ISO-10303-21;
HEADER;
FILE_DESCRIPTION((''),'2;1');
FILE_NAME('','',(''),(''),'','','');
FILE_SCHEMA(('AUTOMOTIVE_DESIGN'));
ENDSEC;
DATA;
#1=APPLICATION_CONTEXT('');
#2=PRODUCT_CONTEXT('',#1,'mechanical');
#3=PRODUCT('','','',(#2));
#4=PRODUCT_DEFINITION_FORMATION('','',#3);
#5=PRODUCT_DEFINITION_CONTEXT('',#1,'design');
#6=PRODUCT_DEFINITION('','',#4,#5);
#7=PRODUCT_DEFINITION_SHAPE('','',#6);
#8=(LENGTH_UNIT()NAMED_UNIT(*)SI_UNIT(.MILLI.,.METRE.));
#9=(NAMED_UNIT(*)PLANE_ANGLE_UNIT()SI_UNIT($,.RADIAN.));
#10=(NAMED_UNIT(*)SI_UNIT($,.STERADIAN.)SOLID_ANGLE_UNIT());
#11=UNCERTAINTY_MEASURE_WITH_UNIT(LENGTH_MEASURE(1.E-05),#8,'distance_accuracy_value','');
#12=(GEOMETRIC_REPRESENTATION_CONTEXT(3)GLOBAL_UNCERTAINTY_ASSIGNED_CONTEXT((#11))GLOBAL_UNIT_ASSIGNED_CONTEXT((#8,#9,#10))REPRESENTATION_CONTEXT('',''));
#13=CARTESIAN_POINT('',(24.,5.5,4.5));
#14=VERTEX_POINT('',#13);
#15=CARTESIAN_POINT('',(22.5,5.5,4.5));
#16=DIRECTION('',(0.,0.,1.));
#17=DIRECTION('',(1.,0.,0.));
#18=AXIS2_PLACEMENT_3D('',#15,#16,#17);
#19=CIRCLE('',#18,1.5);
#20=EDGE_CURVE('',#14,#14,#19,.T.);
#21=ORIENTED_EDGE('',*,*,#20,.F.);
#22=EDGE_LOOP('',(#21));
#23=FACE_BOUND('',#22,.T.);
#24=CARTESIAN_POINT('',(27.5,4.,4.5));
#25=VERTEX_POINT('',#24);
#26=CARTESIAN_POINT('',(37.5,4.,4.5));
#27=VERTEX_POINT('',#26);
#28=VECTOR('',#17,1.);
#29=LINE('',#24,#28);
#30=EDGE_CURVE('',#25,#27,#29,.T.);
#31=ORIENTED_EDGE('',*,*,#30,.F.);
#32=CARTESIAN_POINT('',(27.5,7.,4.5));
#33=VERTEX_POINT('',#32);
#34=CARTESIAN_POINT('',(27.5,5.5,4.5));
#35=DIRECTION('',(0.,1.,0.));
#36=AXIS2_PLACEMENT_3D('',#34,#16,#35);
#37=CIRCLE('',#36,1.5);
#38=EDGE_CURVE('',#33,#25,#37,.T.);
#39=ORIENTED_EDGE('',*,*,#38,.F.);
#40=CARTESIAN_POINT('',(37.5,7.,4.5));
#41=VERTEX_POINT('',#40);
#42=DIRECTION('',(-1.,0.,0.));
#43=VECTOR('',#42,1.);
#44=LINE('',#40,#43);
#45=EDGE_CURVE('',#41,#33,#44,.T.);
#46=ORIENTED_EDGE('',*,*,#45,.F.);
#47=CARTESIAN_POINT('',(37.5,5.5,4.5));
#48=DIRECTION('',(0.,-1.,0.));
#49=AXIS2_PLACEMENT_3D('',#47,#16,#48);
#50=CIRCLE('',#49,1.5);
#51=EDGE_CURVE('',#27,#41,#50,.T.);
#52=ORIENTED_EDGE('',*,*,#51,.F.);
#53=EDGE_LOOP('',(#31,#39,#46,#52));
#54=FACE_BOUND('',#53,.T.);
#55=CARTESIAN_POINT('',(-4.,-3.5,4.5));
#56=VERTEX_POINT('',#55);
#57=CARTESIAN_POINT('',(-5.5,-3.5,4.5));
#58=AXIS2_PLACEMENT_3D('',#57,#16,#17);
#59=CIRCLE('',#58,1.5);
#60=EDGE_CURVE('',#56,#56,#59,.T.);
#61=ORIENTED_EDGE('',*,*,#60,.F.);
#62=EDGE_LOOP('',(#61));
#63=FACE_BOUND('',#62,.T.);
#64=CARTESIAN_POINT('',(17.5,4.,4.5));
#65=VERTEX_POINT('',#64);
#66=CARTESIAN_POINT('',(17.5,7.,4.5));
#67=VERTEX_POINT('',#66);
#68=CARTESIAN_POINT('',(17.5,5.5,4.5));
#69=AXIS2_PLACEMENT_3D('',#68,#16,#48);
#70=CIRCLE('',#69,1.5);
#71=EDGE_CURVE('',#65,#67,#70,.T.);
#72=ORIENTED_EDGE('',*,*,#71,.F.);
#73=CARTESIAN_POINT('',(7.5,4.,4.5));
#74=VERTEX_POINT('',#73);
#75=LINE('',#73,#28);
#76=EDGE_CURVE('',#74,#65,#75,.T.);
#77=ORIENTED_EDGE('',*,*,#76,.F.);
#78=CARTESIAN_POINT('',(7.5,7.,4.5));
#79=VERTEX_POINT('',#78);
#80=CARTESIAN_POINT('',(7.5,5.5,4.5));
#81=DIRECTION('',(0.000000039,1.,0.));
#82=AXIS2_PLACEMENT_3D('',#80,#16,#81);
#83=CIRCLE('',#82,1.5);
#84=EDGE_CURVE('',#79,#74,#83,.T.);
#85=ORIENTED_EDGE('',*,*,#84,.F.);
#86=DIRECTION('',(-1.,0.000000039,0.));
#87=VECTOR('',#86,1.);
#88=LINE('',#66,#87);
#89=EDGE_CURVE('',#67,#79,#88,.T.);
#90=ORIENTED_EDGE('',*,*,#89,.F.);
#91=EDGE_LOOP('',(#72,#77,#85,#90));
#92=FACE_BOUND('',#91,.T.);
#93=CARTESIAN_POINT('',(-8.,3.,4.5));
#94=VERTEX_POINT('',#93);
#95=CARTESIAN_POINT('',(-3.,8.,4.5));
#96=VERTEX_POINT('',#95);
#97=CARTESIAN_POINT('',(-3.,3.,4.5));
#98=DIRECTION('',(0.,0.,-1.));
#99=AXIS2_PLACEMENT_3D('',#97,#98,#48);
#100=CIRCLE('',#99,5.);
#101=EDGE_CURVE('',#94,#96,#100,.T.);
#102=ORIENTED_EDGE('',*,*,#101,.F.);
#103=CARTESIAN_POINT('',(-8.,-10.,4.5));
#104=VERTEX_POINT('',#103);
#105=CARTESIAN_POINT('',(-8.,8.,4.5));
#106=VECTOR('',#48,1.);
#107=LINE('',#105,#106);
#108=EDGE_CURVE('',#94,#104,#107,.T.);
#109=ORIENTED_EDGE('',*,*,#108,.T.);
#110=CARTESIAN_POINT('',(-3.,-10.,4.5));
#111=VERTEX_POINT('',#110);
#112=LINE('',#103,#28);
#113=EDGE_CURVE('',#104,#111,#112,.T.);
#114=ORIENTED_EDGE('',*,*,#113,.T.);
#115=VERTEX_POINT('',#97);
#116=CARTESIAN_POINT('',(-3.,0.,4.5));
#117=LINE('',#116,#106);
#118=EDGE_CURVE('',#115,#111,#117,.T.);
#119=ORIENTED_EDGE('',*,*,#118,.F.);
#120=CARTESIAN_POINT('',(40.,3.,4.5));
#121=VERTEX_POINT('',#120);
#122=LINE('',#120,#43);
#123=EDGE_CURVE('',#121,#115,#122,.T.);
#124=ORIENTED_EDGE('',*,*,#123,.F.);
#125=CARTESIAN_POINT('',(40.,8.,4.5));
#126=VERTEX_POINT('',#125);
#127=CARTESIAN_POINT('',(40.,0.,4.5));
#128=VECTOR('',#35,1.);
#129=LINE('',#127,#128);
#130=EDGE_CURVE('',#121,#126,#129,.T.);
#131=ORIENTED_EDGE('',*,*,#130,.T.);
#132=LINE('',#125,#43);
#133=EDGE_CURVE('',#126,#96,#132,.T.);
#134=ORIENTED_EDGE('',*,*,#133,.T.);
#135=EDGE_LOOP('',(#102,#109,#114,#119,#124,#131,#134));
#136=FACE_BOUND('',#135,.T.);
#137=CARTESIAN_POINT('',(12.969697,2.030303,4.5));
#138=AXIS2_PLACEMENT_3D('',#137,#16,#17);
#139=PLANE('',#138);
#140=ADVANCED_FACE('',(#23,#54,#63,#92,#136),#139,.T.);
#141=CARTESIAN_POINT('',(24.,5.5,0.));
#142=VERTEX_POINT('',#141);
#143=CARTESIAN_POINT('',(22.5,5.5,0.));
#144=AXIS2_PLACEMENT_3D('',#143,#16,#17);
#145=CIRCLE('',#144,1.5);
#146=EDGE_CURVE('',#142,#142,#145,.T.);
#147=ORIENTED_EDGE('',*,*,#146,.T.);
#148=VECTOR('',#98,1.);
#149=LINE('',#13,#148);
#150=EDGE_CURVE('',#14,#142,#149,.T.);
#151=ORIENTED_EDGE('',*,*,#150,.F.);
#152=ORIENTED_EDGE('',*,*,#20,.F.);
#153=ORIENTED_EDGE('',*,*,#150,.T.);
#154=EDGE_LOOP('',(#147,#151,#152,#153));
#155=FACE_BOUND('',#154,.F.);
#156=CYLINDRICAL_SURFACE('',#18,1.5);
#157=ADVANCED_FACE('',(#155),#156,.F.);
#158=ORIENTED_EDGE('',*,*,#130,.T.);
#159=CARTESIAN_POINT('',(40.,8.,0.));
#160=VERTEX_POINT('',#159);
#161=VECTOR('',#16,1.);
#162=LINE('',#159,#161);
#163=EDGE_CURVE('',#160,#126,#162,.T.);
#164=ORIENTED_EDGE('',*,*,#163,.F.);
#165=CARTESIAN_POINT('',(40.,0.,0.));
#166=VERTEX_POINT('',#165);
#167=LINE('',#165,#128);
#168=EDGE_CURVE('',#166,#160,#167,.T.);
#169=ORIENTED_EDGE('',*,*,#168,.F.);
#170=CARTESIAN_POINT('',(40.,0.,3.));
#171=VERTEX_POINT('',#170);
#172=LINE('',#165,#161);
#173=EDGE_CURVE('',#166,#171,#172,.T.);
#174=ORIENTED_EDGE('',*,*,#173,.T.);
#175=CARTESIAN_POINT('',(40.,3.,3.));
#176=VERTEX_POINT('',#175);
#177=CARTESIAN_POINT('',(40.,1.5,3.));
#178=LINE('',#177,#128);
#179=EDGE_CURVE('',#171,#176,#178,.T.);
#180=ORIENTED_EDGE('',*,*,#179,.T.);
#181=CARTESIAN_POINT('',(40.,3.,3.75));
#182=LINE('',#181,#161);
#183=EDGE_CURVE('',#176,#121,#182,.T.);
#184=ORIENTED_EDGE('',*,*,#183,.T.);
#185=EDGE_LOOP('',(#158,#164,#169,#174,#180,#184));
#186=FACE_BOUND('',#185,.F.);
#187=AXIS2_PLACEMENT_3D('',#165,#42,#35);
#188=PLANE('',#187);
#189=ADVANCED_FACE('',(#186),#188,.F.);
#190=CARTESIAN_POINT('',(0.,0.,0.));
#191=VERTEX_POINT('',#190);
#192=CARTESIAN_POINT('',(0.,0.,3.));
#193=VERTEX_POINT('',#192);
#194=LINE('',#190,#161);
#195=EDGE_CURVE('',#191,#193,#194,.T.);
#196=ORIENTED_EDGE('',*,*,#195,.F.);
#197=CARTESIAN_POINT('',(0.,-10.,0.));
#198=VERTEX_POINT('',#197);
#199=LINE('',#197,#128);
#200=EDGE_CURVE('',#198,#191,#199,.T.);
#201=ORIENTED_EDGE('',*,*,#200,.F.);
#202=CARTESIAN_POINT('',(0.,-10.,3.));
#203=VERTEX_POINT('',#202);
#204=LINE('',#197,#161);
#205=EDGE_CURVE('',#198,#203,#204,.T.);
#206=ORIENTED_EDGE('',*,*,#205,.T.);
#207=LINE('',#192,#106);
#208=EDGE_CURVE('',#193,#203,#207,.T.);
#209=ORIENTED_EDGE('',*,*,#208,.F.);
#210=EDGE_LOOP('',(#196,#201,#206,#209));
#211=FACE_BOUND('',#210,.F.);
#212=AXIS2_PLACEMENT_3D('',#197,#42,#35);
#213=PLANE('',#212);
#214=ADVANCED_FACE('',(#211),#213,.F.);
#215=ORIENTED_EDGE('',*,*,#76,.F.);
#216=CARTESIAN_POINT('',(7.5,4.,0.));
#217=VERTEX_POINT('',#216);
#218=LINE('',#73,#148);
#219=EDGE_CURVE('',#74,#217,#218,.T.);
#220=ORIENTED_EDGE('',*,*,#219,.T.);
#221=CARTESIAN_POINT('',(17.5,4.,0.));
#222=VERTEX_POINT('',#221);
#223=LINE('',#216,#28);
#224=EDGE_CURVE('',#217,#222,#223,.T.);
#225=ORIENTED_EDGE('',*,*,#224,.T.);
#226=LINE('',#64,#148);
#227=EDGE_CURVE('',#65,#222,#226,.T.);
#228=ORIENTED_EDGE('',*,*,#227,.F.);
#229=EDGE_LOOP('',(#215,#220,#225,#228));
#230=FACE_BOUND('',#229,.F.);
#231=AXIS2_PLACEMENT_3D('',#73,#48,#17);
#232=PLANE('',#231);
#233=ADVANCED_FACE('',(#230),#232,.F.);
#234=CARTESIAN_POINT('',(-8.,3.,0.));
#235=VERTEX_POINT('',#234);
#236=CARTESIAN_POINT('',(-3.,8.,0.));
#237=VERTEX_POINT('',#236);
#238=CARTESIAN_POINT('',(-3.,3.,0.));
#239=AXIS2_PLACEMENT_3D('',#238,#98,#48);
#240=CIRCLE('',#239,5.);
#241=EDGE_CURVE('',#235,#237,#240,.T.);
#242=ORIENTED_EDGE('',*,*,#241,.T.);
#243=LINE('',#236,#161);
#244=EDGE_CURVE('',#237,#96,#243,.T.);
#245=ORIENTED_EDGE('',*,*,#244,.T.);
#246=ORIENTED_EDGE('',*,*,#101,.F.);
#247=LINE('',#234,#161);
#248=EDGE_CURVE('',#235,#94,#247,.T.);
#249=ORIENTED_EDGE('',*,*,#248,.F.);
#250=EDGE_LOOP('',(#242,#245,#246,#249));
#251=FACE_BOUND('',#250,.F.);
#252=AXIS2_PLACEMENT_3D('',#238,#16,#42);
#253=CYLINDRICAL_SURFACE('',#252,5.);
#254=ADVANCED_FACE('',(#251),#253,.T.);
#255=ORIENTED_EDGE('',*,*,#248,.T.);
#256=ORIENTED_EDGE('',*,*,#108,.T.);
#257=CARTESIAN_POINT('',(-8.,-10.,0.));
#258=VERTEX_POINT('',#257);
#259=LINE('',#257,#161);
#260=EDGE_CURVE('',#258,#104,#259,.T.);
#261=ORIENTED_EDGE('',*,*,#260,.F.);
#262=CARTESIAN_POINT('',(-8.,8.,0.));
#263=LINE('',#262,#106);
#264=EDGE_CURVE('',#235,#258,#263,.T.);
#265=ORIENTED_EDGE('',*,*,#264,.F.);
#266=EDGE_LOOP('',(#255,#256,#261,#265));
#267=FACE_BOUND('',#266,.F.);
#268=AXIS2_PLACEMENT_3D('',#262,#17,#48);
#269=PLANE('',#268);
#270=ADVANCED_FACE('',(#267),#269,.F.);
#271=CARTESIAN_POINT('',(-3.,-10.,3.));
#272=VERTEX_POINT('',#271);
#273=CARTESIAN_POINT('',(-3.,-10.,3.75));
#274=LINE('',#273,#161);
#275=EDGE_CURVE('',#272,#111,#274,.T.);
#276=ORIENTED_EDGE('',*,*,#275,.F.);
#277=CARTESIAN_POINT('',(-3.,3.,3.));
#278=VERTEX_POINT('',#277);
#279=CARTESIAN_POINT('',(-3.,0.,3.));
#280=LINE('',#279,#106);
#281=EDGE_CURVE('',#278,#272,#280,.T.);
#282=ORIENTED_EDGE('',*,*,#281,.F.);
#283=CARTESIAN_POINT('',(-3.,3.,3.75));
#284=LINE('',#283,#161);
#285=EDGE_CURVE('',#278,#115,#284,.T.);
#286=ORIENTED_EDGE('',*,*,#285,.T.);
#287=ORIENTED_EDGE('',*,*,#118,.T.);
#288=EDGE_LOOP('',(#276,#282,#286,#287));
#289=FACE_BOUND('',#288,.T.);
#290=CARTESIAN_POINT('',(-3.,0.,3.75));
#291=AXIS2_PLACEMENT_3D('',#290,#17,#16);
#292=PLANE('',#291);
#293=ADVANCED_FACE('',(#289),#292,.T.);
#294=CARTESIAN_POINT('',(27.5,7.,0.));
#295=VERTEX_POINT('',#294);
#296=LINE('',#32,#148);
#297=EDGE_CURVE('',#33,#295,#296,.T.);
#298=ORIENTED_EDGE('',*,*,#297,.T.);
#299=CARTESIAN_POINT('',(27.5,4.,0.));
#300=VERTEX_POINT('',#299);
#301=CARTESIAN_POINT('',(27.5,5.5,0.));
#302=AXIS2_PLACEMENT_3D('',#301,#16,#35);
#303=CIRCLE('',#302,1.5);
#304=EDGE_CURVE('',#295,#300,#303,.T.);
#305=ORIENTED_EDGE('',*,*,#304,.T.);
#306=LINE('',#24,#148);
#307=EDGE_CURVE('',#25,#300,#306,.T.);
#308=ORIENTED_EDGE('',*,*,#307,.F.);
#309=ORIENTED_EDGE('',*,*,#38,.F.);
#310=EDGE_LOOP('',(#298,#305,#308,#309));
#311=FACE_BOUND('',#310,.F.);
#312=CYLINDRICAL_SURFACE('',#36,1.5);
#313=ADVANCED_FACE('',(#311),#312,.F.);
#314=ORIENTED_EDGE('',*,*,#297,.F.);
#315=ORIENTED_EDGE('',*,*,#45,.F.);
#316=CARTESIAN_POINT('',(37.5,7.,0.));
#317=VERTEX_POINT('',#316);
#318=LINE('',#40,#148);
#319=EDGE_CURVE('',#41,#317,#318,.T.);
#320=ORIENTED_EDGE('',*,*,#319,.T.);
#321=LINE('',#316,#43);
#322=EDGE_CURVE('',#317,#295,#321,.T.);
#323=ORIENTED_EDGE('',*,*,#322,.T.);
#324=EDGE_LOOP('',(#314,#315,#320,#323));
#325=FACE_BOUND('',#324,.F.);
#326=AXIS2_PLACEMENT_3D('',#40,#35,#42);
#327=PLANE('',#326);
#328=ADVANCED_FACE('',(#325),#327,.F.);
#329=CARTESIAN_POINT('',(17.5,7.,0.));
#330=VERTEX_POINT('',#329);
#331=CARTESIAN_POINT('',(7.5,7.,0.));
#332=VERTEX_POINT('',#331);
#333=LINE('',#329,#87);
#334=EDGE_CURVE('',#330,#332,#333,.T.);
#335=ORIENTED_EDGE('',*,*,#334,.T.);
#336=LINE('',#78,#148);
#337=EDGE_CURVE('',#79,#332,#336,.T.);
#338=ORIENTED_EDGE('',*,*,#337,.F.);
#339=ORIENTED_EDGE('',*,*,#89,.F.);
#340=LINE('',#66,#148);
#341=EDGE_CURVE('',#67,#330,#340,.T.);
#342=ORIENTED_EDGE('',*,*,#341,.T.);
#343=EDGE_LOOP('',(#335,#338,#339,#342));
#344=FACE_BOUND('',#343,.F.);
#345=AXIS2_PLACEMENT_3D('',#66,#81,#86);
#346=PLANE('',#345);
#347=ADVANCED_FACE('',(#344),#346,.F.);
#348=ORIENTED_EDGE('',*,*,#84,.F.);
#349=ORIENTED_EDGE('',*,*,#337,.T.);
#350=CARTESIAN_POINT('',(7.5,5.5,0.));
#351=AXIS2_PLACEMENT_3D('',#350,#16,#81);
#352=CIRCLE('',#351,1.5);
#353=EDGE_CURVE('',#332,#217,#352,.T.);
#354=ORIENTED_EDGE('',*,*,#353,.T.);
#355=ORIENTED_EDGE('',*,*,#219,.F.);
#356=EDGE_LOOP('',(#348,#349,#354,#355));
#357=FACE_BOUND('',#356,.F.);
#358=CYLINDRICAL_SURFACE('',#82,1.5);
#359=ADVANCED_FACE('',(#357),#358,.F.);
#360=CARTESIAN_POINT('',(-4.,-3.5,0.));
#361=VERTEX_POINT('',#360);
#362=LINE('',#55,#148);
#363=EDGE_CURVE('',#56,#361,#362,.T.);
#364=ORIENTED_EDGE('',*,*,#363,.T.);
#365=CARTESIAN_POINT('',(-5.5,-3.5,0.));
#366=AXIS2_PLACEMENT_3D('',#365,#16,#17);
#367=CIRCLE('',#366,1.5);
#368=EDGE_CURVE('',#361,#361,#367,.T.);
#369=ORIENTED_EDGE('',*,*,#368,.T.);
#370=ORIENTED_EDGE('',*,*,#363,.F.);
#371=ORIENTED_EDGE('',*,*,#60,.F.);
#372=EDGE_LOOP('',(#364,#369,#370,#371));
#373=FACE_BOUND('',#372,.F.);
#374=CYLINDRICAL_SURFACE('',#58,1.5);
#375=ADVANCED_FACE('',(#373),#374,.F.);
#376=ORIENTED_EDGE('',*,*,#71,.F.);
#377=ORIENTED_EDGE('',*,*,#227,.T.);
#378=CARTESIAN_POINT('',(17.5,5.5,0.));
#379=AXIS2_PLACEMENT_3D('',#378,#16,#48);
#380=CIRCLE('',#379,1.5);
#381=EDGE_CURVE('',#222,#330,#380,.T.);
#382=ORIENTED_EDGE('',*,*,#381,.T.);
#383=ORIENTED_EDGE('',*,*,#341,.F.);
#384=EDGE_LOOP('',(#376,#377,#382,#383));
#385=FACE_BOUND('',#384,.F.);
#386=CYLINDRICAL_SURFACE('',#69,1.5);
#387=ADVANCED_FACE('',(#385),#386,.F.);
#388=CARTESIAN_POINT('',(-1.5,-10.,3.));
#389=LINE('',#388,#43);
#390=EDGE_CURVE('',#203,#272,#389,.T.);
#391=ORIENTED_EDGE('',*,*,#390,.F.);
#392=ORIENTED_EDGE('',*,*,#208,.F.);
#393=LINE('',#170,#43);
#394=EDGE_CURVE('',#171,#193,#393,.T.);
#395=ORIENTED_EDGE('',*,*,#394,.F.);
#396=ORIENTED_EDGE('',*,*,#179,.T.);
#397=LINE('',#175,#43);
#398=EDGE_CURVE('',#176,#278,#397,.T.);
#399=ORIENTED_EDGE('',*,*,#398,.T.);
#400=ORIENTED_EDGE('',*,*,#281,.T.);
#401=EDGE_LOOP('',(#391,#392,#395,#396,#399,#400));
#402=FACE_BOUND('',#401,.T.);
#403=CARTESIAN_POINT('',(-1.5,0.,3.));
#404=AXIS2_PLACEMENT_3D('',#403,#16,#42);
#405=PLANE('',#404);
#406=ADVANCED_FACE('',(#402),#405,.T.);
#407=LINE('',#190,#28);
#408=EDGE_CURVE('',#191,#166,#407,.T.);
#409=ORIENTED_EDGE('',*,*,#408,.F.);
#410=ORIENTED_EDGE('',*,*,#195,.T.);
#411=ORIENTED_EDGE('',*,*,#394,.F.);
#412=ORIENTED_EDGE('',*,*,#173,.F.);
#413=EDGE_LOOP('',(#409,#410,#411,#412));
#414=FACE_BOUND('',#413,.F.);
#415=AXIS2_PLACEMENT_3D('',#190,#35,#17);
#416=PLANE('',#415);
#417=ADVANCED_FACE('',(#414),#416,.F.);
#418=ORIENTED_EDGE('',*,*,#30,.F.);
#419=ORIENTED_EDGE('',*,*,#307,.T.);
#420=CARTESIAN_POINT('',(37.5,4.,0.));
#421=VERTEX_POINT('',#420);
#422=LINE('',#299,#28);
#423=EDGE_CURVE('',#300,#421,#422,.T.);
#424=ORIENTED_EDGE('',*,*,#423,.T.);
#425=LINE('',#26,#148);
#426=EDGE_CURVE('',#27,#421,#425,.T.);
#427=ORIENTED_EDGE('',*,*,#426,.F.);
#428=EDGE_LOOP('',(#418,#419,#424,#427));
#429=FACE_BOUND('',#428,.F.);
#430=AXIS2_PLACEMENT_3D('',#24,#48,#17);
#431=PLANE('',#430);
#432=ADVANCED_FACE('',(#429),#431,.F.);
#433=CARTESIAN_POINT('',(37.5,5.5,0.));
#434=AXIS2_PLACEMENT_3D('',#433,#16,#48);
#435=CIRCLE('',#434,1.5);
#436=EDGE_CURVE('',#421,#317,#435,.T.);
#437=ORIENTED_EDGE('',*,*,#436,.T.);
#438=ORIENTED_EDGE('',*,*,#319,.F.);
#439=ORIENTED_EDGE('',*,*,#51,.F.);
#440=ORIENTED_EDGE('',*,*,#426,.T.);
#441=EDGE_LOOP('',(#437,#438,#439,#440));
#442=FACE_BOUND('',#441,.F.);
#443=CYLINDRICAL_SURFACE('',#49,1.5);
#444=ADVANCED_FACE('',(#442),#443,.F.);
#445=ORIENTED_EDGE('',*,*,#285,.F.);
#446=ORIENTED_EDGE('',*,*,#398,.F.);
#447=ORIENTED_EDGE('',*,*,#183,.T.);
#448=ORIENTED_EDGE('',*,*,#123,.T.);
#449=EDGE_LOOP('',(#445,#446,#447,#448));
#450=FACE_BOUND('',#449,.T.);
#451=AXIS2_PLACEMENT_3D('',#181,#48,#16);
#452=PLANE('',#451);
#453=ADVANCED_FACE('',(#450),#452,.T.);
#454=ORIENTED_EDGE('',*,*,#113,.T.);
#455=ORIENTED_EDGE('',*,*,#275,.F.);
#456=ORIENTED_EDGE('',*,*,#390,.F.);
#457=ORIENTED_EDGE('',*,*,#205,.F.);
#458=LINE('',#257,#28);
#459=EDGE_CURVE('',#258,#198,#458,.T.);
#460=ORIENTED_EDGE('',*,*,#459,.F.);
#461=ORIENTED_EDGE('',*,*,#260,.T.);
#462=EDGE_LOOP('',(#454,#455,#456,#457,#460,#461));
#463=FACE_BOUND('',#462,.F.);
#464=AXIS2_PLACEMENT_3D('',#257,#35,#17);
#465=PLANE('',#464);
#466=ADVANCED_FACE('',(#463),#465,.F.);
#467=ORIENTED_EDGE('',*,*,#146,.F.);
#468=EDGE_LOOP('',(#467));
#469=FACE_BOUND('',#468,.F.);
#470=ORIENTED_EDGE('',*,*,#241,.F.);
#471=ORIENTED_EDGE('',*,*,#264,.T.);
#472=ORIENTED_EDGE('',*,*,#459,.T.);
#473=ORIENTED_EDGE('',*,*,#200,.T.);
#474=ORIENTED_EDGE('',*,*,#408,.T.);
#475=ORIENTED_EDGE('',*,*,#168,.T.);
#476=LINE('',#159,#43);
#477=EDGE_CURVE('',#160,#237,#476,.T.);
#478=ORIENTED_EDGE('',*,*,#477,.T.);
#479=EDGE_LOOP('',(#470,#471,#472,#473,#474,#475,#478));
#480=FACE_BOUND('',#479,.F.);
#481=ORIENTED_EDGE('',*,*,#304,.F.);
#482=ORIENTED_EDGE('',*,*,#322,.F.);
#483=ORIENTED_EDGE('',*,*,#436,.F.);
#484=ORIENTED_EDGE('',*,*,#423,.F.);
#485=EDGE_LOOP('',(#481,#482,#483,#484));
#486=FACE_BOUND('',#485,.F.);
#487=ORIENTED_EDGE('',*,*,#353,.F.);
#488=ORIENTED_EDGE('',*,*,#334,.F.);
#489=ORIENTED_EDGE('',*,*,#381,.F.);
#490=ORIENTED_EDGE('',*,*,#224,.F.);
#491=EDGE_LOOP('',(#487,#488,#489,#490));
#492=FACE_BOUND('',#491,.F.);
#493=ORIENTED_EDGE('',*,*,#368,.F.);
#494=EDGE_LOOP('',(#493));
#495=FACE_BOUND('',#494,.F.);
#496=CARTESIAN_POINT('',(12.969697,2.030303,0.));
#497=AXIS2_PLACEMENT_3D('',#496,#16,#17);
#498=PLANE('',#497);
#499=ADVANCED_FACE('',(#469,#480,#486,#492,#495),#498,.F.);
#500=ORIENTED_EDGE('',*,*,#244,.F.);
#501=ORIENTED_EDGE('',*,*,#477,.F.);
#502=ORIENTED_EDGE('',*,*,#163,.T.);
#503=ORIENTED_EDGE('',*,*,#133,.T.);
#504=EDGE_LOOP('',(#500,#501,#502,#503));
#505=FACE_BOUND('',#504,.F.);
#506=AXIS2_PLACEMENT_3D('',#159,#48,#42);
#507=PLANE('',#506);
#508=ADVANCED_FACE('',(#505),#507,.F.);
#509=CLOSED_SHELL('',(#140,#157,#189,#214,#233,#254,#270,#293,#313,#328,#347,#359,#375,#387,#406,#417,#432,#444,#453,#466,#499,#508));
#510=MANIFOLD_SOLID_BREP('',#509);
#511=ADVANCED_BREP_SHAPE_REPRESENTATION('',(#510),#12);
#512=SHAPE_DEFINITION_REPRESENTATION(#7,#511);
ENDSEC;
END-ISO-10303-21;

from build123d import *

# Parameters (mm, degrees)
F4_DEPTH = 4.5
F5_W     = 3
F5_H     = 1.5
F7_R     = 1.5
F8_DEPTH = 4.5
F9_R     = 5


with BuildPart() as f4:
    # F3 (on Top) → F4 (new body)
    with BuildSketch(Plane.XY):
        Polygon((0, -10), (0, 0), (40, 0), (40, 8), (-8, 8), (-8, -10), align=None)
    extrude(amount=F4_DEPTH)

    # F6: sweep along a path in F6_path
    with BuildLine(Plane(origin=(0, 0, 4.5), x_dir=(0, -1, 0), z_dir=(0, 0, -1))) as f6_path:
        Line((0, -40), (0, 0))
        Line((0, 0), (10, 0))
    # F5 (on face) → F6 (sweep, cut)
    with BuildSketch(Plane.YZ.offset(40)):
        with Locations((1.5, 3.75)):
            Rectangle(F5_W, F5_H)
    sweep(path=f6_path.line, transition=Transition.RIGHT, mode=Mode.SUBTRACT)

    # F7 (on face) → F8 (cut, through all)
    with BuildSketch(Plane.XY.offset(4.5)):
        with Locations((-5.5, -3.5)):
            Circle(F7_R)
        with BuildLine():
            Line((7.5, 3.9999998055), (17.5, 3.9999998055))
            ThreePointArc((17.5, 3.9999998055), (19, 5.4999998055), (17.5, 6.9999998055))
            Line((17.5, 6.9999998055), (7.5000000583, 7.0000001945))
            ThreePointArc((7.5000000583, 7.0000001945), (5.9999998055, 5.5000000292), (7.5, 3.9999998055))
        make_face()
        with Locations((22.5, 5.5)):
            Circle(F7_R)
        with BuildLine():
            Line((27.5, 4), (37.5, 4))
            ThreePointArc((37.5, 4), (39, 5.5), (37.5, 7))
            Line((37.5, 7), (27.5, 7))
            ThreePointArc((27.5, 7), (26, 5.5), (27.5, 4))
        make_face()
    extrude(amount=-F8_DEPTH, mode=Mode.SUBTRACT)

    # F9
    f9_edges = [f4.edges().sort_by_distance(p)[0] for p in [
        (-8, 8, 2.25),
    ]]
    fillet(f9_edges, radius=F9_R)


solid = f4.part
